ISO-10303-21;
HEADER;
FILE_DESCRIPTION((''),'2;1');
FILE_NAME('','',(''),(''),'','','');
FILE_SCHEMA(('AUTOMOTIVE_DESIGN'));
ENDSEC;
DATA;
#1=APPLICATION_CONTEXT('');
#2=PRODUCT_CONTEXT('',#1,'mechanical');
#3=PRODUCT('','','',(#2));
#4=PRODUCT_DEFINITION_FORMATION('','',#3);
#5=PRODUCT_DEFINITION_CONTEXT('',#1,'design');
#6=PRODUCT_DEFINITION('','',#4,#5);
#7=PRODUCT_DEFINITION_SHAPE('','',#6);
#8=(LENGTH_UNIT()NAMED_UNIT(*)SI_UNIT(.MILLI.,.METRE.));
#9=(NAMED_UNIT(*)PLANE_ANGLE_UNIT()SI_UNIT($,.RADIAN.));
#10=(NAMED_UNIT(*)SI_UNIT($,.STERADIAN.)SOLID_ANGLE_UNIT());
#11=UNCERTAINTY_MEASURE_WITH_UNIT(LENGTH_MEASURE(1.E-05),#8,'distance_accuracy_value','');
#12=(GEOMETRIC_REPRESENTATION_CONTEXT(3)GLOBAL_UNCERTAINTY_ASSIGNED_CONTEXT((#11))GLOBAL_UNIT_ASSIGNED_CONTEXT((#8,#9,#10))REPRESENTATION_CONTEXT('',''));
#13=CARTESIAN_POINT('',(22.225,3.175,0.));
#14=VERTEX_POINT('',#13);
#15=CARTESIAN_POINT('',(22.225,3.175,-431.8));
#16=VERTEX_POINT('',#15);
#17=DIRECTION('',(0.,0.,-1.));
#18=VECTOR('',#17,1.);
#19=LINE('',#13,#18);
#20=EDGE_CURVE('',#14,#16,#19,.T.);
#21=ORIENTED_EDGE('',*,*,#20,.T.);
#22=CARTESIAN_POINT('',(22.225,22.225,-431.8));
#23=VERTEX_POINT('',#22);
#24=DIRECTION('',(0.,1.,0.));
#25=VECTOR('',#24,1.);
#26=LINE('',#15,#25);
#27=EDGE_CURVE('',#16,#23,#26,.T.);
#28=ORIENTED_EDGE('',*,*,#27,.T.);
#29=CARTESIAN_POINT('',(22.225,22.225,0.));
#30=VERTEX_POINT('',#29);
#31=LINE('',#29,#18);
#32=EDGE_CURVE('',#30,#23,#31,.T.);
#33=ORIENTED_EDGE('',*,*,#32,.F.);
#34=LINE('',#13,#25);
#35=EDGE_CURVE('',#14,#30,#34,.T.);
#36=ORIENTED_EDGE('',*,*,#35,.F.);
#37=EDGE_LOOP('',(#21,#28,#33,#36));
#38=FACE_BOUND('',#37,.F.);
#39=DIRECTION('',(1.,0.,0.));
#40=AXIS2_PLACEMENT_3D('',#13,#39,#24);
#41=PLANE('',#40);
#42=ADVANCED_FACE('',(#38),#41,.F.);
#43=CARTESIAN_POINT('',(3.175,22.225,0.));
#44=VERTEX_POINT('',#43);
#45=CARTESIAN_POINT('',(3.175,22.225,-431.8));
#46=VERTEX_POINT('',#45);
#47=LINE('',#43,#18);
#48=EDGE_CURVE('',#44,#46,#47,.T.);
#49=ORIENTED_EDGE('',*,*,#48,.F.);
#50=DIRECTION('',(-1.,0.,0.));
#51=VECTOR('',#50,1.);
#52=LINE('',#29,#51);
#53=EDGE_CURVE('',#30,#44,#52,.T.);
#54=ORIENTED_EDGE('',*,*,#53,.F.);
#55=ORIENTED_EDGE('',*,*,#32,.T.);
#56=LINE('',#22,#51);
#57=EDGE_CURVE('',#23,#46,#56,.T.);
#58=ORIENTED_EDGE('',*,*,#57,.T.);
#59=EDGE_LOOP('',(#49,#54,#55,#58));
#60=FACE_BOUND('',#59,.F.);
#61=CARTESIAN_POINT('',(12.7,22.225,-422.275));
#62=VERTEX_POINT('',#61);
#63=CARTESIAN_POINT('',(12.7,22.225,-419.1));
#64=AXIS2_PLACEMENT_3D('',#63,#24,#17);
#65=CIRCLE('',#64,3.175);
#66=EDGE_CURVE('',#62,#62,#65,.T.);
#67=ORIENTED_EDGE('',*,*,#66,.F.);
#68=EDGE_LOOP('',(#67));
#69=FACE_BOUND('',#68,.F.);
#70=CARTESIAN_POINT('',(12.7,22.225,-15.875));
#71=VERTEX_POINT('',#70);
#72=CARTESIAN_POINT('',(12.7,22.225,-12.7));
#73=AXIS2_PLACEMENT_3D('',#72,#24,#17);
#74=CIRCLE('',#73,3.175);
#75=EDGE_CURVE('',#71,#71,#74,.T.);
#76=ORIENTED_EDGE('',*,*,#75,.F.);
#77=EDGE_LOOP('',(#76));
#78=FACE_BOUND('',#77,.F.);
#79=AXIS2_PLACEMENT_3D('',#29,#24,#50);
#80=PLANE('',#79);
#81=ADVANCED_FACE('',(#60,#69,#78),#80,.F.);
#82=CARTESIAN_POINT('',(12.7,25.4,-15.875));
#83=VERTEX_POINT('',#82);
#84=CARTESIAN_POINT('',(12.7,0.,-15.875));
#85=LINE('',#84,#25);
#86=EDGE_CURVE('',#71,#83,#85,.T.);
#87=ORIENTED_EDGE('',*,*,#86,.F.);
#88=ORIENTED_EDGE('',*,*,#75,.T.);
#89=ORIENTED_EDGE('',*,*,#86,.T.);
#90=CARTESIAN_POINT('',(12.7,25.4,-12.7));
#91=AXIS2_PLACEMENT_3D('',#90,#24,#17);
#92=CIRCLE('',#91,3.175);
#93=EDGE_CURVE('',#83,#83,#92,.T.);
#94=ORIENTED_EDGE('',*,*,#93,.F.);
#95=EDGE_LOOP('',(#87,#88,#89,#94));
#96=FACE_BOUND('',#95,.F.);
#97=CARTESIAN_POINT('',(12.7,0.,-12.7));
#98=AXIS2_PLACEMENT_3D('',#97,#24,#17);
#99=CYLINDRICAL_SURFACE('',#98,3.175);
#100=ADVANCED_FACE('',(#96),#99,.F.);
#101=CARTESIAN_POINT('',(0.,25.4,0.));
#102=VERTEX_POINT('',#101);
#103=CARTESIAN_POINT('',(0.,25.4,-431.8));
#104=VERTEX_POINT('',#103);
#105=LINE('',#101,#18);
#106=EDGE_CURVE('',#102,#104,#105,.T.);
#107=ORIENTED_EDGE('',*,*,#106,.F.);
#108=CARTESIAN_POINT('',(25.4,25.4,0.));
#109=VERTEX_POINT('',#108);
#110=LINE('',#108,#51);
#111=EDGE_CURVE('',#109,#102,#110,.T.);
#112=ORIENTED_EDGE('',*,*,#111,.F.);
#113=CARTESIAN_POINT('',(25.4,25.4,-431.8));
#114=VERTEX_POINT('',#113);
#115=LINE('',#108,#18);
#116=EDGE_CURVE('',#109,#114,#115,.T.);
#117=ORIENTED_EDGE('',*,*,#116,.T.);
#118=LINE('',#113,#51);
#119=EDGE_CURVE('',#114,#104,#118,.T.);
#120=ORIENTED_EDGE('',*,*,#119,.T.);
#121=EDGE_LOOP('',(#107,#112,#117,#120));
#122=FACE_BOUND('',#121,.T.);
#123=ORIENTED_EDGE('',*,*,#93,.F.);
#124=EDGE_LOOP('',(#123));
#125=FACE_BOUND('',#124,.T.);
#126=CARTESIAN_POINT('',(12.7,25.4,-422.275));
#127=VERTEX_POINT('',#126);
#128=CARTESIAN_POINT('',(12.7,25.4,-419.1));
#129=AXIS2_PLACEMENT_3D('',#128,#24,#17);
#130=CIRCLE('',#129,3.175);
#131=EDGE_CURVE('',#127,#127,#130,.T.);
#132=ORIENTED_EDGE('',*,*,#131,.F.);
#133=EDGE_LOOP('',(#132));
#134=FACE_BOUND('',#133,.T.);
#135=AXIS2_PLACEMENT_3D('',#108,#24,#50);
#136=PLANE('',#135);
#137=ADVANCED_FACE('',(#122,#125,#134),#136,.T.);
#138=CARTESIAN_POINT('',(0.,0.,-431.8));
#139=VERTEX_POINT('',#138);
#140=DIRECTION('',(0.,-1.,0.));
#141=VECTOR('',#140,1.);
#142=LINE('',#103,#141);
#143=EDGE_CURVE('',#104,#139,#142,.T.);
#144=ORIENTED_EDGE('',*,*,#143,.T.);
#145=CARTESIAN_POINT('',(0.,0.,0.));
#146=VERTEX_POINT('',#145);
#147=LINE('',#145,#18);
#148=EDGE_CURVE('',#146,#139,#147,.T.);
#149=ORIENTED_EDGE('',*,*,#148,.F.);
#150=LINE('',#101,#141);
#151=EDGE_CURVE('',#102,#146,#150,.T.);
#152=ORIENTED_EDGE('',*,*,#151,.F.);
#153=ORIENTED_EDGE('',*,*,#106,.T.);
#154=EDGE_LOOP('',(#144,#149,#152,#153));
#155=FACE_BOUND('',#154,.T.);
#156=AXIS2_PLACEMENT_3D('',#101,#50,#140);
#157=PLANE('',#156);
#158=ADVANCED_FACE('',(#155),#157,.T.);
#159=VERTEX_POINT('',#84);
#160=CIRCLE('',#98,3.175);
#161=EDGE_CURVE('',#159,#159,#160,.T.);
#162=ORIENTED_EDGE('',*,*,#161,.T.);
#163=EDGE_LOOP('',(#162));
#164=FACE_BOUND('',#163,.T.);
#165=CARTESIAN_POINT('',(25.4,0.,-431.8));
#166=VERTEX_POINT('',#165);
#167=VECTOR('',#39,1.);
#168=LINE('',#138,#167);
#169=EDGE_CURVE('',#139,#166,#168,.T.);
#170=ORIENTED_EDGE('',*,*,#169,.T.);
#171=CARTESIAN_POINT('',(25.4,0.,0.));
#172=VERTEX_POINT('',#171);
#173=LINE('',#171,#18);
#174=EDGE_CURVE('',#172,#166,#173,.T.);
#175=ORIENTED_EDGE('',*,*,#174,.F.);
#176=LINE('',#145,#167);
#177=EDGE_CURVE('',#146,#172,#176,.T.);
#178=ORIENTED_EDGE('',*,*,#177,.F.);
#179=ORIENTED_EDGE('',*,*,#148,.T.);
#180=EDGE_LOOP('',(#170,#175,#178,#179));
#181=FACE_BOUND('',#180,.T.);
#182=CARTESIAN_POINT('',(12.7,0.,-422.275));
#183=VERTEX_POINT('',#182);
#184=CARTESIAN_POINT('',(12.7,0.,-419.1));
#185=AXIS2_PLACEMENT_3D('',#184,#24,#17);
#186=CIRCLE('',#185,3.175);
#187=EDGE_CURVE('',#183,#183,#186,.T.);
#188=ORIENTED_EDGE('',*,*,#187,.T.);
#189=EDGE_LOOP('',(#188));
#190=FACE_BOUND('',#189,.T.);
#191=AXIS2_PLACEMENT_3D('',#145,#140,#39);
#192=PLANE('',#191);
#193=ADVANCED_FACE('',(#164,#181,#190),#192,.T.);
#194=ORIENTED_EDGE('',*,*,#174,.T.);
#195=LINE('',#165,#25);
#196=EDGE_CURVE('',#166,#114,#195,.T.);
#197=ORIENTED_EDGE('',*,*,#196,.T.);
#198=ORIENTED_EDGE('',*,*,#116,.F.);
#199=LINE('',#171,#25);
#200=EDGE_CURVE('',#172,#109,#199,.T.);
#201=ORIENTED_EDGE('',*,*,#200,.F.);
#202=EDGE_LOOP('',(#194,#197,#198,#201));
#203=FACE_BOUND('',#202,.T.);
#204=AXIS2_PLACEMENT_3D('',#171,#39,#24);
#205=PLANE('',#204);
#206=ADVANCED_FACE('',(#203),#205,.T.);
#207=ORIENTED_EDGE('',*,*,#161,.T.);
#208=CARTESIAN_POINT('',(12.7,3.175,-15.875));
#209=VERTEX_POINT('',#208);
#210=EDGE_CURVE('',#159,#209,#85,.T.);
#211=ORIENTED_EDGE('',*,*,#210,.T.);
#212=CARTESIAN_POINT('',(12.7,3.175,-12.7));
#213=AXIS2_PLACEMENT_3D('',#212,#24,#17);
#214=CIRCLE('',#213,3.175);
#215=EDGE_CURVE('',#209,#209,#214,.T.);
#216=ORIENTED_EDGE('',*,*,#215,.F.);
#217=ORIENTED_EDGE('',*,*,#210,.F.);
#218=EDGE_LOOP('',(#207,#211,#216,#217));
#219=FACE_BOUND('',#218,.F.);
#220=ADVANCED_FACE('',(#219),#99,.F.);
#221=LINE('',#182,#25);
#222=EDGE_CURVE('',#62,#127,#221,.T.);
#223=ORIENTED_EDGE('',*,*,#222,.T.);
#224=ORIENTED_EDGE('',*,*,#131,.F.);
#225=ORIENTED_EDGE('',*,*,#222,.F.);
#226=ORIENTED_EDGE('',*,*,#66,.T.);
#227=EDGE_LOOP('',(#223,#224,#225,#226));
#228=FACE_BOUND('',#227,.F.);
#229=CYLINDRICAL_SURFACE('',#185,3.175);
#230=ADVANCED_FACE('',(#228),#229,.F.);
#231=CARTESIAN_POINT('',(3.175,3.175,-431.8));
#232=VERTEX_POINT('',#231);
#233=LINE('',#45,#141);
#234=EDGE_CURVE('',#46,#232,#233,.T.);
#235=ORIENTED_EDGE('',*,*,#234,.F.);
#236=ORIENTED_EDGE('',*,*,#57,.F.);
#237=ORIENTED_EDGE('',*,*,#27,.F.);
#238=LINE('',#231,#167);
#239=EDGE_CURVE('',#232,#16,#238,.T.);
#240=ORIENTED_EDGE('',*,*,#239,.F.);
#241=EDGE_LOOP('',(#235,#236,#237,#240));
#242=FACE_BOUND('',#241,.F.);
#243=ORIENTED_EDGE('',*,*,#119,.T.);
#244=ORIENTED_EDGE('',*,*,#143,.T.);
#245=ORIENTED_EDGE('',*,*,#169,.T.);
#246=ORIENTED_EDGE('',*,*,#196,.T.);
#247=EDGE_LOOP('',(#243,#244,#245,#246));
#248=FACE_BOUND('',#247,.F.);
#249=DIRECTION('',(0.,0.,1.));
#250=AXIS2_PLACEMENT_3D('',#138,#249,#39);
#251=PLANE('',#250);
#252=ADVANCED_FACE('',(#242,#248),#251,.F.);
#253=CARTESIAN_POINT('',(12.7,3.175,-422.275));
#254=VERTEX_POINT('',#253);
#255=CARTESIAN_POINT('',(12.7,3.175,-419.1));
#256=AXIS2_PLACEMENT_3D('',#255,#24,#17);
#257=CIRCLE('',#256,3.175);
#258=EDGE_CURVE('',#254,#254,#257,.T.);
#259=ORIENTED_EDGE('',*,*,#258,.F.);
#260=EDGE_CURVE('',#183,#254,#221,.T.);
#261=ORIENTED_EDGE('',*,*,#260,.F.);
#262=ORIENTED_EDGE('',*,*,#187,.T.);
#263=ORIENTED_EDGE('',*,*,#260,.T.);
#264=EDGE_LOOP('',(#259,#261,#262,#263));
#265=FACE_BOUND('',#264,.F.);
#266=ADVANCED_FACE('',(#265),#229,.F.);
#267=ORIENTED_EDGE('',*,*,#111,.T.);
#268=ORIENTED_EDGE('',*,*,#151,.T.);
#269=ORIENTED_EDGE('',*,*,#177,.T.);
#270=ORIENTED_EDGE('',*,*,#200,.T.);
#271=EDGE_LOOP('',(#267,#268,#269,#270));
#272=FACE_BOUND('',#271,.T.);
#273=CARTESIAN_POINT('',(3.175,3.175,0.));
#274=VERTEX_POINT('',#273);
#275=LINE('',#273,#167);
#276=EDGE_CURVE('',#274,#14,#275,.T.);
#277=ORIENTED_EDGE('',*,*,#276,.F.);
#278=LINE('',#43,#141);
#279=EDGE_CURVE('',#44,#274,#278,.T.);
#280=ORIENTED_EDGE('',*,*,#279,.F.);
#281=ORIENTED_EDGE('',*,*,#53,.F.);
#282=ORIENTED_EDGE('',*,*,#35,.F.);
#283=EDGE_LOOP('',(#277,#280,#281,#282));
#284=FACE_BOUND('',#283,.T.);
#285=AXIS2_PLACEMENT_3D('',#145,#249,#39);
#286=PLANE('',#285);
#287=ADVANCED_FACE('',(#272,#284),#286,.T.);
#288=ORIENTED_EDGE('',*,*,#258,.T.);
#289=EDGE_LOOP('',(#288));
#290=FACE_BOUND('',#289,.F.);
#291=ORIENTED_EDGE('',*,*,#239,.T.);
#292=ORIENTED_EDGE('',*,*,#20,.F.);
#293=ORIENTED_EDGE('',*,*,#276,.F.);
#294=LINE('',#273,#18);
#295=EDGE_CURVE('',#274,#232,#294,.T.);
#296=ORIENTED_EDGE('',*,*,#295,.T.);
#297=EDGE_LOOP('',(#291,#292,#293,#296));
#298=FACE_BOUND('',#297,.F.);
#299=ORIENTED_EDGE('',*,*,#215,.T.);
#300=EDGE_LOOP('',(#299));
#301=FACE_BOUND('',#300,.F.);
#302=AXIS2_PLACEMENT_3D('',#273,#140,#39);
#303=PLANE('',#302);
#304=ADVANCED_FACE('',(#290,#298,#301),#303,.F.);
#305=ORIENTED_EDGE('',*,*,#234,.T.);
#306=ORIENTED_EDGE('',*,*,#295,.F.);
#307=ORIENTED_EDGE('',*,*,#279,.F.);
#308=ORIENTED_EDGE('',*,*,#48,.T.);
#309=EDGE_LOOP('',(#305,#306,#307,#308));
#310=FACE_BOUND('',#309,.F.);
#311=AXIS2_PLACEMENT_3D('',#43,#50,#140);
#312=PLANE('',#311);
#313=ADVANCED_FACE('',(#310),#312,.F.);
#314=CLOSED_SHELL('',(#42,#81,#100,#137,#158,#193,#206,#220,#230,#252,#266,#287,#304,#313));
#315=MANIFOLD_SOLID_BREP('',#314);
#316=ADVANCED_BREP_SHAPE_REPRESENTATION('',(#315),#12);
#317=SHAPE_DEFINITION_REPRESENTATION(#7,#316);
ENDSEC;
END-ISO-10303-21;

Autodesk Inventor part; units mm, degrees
ref_plane "YZ Plane" through (0, 0, 0) normal (1, 0, 0) x (0, 1, 0)
ref_plane "XZ Plane" through (0, 0, 0) normal (0, 1, 0) x (-1, 0, 0)
ref_plane "XY Plane" through (0, 0, 0) normal (0, 0, 1) x (1, 0, 0)
sketch "Sketch1" plane through (0, 0, 0) normal (0, 0, 1) x (1, 0, 0)
  line L0 (0, 0) -> (25.4, 0)
  line L1 (25.4, 0) -> (25.4, 25.4)
  line L2 (25.4, 25.4) -> (0, 25.4)
  line L3 (0, 25.4) -> (0, 0)
  line L4 (3.175, 3.175) -> (22.225, 3.175)
  line L5 (22.225, 3.175) -> (22.225, 22.225)
  line L6 (22.225, 22.225) -> (3.175, 22.225)
  line L7 (3.175, 22.225) -> (3.175, 3.175)
  dimension "d0" = 25.4
  dimension "d1" = 25.4
  dimension "d2" = 3.175
extrude "Extrusion1" add sketch "Sketch1" against normal blind 431.8
sketch "Sketch2" plane through (0, 0, 0) normal (0, -1, 0) x (1, 0, 0)
  line L0 (0, -431.8) -> (25.4, -431.8) projected
  line L1 (0, 0) -> (25.4, 0) projected
  point P0 (12.7, -419.1)
  point P1 (12.7, -12.7)
  dimension "d5" = 12.7
  dimension "d6" = 12.7
hole "Hole1" at (12.7, 0, -419.1) at (12.7, 0, -12.7) direction (0, 1, 0) diameter 6.35 depth 25.4 tip angle 118
properties part number "tower horizontal brace 17.5in_CPY"
